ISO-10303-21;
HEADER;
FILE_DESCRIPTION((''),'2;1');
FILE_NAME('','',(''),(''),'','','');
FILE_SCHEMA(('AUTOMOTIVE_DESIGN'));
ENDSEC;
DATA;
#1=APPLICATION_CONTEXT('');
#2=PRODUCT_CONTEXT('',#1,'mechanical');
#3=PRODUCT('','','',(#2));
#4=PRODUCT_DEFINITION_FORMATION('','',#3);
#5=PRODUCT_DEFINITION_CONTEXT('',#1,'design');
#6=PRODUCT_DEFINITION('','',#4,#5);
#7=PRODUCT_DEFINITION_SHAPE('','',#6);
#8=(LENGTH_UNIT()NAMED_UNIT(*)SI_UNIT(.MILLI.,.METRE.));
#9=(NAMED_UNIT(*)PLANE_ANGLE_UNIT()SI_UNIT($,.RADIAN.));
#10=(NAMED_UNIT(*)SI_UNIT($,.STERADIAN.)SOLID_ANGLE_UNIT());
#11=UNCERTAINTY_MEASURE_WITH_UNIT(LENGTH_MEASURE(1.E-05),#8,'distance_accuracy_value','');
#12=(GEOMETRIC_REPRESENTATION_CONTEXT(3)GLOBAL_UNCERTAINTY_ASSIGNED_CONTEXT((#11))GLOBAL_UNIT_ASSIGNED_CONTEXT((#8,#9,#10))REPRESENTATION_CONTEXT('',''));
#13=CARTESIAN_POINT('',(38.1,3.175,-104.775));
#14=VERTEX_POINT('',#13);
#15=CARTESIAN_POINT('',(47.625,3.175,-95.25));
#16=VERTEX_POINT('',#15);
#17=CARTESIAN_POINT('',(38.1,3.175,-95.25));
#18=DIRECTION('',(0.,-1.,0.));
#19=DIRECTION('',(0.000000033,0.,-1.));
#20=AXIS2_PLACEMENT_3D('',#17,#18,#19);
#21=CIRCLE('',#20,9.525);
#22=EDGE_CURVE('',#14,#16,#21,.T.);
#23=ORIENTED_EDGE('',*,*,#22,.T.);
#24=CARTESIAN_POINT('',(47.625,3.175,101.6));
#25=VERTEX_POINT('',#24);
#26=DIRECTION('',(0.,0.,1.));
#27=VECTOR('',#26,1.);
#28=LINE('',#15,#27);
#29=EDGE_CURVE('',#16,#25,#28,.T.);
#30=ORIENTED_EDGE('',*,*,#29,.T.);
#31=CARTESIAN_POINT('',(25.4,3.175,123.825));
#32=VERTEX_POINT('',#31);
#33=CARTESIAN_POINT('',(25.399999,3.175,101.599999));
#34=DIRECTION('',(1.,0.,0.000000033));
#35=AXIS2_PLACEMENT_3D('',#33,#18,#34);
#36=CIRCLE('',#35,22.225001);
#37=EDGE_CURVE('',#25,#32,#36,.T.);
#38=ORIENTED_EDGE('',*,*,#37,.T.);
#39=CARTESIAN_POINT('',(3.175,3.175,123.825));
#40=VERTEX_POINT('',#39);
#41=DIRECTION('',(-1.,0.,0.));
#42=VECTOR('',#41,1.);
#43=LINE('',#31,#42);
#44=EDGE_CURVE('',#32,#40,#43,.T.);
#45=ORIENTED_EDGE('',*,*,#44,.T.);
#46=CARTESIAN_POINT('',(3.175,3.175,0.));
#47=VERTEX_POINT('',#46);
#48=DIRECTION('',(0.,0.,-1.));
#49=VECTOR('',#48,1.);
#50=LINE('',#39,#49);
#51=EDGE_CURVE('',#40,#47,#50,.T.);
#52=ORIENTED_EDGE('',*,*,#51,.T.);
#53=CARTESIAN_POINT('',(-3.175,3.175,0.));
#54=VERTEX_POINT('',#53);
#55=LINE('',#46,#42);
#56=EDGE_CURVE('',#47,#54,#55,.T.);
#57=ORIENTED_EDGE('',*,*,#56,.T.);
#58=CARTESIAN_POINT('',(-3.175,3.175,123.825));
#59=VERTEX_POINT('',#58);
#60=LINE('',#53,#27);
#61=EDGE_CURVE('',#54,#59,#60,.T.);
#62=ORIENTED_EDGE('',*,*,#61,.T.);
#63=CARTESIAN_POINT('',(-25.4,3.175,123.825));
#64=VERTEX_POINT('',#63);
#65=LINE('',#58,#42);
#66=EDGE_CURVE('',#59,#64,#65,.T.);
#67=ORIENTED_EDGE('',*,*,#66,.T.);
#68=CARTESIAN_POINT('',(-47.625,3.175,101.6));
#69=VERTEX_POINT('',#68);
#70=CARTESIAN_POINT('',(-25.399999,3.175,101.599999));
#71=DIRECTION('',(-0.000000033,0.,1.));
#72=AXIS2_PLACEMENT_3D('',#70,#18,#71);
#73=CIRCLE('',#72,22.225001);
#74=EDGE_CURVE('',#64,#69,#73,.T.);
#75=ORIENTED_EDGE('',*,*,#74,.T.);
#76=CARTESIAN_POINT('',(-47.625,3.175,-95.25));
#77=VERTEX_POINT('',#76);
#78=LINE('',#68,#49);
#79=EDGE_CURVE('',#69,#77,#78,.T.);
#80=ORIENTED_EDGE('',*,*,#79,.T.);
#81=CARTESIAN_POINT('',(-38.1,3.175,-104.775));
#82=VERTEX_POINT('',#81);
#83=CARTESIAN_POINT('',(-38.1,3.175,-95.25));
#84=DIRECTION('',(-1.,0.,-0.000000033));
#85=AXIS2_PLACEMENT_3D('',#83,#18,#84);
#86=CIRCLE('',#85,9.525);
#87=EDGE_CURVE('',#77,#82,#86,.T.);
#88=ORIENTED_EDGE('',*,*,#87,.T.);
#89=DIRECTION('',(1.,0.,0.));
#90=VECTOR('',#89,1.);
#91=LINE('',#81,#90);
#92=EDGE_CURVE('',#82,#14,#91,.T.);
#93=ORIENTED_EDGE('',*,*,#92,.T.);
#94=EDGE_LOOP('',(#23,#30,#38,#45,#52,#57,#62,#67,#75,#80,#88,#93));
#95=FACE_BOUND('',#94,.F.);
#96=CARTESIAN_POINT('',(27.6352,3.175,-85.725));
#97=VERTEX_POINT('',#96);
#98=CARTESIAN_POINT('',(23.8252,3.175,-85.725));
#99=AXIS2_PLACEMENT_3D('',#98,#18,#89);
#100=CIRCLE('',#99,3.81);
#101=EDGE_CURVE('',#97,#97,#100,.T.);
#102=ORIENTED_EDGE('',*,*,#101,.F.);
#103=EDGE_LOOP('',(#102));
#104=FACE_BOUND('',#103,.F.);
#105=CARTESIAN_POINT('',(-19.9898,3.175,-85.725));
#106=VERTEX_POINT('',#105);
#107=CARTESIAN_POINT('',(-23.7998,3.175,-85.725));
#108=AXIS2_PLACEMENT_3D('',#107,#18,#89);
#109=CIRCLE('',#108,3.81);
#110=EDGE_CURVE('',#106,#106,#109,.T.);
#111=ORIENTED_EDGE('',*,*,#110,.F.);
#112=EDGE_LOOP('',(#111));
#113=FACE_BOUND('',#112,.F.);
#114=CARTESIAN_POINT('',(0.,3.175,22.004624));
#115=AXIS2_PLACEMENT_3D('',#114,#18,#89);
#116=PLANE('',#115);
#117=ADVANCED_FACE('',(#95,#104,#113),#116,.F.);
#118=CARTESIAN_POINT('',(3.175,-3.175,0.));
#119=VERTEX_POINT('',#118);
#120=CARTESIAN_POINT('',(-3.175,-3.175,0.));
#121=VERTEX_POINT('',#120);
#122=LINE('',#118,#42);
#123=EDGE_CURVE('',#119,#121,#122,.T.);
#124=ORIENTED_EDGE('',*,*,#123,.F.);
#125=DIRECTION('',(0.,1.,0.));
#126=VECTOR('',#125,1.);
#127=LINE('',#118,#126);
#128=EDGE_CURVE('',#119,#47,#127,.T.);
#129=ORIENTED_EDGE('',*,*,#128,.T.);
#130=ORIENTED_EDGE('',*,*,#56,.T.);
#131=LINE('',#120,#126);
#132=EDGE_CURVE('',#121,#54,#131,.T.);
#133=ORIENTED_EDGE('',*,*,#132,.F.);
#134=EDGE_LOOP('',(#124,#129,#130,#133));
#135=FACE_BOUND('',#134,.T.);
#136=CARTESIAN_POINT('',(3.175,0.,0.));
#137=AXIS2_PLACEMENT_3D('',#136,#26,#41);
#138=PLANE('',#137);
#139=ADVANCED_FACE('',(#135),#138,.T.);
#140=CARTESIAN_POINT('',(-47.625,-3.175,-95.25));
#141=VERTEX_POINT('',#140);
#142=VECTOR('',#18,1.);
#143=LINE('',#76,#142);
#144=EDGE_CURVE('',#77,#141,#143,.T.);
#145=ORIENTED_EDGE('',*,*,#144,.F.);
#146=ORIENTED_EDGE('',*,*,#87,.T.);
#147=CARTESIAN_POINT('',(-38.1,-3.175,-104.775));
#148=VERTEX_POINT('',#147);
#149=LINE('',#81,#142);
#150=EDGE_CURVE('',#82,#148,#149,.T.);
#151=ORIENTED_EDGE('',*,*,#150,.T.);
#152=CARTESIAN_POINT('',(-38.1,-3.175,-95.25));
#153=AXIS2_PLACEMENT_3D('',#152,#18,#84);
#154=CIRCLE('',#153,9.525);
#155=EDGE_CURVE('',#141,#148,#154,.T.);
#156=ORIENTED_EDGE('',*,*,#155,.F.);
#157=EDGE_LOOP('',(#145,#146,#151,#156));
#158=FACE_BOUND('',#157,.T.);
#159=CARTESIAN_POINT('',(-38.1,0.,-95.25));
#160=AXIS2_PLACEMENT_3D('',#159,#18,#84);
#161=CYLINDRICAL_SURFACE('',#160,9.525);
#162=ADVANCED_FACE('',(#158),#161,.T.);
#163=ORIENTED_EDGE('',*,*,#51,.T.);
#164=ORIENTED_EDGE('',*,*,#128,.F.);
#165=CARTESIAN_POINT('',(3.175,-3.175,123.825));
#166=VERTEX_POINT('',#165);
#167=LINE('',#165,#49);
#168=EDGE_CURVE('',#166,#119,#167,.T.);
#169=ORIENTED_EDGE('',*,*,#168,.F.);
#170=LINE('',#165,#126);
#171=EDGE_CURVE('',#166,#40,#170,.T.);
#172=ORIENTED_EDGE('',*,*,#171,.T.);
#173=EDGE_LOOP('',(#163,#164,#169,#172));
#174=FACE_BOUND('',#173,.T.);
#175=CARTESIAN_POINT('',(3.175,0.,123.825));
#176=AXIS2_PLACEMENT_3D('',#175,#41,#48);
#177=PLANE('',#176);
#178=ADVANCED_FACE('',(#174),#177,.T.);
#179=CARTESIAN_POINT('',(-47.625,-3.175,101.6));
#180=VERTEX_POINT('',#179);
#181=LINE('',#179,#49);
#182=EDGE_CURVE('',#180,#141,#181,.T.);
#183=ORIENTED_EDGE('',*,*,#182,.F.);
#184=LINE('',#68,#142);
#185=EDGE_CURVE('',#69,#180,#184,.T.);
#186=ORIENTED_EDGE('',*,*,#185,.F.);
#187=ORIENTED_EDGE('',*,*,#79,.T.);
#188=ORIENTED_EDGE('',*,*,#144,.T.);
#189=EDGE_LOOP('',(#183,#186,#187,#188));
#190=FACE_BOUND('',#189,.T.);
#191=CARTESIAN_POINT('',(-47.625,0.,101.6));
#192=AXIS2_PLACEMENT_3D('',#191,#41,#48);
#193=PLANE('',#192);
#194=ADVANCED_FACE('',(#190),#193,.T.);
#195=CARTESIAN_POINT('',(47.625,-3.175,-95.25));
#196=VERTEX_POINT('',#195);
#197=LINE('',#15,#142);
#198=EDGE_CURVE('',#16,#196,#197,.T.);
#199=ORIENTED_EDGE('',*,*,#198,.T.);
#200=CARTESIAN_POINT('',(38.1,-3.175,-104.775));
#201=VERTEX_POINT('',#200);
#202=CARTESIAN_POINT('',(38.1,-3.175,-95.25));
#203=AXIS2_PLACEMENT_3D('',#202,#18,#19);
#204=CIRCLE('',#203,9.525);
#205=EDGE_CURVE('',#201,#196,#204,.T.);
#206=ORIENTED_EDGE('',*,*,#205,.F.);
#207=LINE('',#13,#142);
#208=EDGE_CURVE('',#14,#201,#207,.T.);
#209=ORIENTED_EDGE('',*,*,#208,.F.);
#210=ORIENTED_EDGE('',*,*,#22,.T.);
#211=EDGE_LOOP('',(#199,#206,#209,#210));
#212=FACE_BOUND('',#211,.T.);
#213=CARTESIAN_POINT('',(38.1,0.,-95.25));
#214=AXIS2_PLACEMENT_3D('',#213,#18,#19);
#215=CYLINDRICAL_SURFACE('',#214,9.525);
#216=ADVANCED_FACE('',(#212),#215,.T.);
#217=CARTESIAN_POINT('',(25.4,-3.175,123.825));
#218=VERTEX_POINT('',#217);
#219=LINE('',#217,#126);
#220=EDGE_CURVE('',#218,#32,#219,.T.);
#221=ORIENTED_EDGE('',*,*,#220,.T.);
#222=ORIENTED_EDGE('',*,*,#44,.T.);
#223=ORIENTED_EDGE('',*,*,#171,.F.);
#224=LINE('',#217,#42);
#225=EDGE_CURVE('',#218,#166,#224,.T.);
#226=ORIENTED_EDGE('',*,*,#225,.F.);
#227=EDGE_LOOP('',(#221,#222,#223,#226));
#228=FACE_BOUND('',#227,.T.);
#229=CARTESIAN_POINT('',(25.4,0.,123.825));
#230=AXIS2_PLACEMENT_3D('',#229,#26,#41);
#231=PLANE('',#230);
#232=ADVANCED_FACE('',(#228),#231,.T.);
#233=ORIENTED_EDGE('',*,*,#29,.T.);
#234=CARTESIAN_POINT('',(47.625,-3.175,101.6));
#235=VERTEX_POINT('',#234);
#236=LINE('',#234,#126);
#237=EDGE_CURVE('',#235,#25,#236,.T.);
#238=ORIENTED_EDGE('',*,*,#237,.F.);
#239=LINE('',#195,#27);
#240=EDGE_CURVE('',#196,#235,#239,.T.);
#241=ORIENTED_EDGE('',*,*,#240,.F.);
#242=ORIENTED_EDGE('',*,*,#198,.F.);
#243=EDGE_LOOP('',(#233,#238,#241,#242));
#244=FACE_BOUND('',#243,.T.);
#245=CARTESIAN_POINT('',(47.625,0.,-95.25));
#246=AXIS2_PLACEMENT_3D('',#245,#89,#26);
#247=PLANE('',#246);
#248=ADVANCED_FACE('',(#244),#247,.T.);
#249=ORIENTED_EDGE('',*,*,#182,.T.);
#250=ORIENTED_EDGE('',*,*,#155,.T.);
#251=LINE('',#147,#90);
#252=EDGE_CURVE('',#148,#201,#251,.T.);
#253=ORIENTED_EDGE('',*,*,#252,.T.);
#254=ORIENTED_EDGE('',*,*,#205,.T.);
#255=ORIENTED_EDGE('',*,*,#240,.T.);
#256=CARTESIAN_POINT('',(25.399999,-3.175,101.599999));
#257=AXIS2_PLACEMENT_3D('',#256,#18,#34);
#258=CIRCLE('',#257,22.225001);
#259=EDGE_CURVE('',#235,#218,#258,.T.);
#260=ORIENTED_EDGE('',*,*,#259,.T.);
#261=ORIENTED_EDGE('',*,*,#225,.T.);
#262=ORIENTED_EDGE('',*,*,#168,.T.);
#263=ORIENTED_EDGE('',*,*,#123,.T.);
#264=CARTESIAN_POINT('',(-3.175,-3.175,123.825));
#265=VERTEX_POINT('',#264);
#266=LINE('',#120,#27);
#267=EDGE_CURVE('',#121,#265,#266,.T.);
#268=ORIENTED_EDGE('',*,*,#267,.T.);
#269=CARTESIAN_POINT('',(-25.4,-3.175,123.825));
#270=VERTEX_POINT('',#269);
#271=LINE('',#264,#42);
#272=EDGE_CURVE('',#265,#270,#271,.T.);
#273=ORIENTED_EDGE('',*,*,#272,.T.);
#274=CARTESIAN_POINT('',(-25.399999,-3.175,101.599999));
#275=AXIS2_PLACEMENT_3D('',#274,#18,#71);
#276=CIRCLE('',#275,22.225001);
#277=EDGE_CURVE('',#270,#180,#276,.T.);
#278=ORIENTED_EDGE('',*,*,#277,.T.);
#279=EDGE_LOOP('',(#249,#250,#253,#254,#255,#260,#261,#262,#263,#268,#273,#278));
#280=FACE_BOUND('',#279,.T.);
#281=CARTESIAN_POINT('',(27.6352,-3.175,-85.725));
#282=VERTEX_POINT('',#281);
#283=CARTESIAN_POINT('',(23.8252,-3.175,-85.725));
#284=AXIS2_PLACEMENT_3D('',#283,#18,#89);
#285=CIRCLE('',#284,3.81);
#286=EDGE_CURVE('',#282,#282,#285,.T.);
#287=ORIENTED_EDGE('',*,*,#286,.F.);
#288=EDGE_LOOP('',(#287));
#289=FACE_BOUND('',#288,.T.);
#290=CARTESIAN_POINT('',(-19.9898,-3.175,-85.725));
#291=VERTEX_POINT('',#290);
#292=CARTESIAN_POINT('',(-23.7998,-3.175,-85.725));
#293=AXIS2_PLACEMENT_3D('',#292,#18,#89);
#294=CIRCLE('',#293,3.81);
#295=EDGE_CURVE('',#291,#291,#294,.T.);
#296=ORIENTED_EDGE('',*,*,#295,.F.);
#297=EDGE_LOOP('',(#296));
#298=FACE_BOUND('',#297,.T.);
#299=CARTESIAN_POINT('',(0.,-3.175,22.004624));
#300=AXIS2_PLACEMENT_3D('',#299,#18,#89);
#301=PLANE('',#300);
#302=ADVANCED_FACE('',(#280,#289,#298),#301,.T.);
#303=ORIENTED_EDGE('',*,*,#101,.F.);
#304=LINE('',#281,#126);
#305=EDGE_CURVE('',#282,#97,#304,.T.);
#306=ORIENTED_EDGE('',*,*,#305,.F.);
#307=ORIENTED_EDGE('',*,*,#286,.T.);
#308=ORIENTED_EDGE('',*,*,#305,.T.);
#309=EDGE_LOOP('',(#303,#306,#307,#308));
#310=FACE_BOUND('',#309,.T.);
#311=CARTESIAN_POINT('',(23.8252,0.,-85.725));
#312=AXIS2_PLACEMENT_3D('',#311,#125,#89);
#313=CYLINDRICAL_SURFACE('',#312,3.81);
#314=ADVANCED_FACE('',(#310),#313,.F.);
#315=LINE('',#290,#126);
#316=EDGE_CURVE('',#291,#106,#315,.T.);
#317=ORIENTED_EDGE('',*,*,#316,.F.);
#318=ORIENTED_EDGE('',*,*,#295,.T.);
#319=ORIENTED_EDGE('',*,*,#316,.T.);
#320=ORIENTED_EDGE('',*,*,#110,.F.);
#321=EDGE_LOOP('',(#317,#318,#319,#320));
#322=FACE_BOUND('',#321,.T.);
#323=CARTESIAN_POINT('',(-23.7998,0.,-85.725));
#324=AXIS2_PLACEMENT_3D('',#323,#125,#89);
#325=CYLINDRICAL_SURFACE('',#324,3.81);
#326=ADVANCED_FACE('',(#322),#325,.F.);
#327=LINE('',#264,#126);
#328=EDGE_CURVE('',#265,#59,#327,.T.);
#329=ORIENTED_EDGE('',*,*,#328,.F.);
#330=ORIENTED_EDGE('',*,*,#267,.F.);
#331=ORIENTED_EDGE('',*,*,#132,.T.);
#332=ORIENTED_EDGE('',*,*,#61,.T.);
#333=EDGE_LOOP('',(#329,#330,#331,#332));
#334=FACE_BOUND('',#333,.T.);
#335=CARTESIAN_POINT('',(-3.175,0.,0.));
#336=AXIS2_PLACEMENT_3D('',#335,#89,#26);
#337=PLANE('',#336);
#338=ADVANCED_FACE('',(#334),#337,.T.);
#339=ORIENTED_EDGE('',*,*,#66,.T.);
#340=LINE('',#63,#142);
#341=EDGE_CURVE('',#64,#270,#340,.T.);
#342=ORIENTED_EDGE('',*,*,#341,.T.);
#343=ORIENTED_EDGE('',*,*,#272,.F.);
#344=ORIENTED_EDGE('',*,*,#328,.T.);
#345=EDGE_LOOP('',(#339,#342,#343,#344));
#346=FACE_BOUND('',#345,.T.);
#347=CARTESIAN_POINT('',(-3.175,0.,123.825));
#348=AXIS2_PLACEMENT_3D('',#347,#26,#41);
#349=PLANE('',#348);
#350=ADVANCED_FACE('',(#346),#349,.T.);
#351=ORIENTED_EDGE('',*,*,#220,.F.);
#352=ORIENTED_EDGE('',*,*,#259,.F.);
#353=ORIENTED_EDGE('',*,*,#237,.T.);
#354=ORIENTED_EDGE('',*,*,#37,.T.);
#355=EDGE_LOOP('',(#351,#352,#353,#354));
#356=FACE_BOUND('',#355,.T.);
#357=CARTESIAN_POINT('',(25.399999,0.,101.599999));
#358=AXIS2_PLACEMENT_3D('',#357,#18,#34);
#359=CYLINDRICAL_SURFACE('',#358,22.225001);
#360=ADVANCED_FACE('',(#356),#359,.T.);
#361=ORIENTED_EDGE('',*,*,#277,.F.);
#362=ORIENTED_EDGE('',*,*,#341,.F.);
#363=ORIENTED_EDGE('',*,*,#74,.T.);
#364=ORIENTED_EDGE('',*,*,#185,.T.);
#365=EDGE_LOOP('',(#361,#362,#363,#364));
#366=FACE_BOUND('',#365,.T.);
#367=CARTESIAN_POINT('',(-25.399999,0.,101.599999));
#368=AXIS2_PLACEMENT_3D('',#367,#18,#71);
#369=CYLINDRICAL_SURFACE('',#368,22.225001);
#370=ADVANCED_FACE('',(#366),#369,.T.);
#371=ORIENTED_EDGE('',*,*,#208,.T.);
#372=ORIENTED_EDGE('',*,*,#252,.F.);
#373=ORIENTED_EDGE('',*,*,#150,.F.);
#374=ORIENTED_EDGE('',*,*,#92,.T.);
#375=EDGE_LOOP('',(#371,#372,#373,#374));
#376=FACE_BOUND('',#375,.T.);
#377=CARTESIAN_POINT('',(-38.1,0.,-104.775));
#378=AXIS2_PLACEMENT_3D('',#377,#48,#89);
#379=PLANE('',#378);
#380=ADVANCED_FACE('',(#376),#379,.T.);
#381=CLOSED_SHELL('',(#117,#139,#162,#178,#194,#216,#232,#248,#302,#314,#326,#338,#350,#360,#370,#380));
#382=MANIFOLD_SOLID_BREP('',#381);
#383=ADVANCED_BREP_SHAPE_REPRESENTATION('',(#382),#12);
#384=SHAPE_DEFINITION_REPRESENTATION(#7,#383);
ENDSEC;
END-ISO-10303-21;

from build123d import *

# Parameters (mm, degrees)
F0_R     = 3.81
F1_DEPTH = 3.175


with BuildPart() as f1:
    # F0 (on Front) → F1 (new body, symmetric)
    with BuildSketch(Plane.XZ):
        with BuildLine():
            Line((-3.175, 123.825), (-25.4, 123.825))
            ThreePointArc((-25.4, 123.825), (-41.115448, 117.315448), (-47.625, 101.6))
            Line((-47.625, 101.6), (-47.625, -95.25))
            ThreePointArc((-47.625, -95.25), (-44.835192, -101.985192), (-38.1, -104.775))
            Line((-38.1, -104.775), (38.1, -104.775))
            ThreePointArc((38.1, -104.775), (44.835192, -101.985192), (47.625, -95.25))
            Line((47.625, -95.25), (47.625, 101.6))
            ThreePointArc((47.625, 101.6), (41.115448, 117.315448), (25.4, 123.825))
            Line((25.4, 123.825), (3.175, 123.825))
            Line((3.175, 123.825), (3.175, 0))
            Line((3.175, 0), (0, 0))
            Line((0, 0), (-3.175, 0))
            Line((-3.175, 0), (-3.175, 123.825))
        make_face()
        with Locations((-23.7998, -85.725)):
            Circle(F0_R, mode=Mode.SUBTRACT)
        with Locations((23.8252, -85.725)):
            Circle(F0_R, mode=Mode.SUBTRACT)
    extrude(amount=F1_DEPTH, both=True)


solid = f1.part
